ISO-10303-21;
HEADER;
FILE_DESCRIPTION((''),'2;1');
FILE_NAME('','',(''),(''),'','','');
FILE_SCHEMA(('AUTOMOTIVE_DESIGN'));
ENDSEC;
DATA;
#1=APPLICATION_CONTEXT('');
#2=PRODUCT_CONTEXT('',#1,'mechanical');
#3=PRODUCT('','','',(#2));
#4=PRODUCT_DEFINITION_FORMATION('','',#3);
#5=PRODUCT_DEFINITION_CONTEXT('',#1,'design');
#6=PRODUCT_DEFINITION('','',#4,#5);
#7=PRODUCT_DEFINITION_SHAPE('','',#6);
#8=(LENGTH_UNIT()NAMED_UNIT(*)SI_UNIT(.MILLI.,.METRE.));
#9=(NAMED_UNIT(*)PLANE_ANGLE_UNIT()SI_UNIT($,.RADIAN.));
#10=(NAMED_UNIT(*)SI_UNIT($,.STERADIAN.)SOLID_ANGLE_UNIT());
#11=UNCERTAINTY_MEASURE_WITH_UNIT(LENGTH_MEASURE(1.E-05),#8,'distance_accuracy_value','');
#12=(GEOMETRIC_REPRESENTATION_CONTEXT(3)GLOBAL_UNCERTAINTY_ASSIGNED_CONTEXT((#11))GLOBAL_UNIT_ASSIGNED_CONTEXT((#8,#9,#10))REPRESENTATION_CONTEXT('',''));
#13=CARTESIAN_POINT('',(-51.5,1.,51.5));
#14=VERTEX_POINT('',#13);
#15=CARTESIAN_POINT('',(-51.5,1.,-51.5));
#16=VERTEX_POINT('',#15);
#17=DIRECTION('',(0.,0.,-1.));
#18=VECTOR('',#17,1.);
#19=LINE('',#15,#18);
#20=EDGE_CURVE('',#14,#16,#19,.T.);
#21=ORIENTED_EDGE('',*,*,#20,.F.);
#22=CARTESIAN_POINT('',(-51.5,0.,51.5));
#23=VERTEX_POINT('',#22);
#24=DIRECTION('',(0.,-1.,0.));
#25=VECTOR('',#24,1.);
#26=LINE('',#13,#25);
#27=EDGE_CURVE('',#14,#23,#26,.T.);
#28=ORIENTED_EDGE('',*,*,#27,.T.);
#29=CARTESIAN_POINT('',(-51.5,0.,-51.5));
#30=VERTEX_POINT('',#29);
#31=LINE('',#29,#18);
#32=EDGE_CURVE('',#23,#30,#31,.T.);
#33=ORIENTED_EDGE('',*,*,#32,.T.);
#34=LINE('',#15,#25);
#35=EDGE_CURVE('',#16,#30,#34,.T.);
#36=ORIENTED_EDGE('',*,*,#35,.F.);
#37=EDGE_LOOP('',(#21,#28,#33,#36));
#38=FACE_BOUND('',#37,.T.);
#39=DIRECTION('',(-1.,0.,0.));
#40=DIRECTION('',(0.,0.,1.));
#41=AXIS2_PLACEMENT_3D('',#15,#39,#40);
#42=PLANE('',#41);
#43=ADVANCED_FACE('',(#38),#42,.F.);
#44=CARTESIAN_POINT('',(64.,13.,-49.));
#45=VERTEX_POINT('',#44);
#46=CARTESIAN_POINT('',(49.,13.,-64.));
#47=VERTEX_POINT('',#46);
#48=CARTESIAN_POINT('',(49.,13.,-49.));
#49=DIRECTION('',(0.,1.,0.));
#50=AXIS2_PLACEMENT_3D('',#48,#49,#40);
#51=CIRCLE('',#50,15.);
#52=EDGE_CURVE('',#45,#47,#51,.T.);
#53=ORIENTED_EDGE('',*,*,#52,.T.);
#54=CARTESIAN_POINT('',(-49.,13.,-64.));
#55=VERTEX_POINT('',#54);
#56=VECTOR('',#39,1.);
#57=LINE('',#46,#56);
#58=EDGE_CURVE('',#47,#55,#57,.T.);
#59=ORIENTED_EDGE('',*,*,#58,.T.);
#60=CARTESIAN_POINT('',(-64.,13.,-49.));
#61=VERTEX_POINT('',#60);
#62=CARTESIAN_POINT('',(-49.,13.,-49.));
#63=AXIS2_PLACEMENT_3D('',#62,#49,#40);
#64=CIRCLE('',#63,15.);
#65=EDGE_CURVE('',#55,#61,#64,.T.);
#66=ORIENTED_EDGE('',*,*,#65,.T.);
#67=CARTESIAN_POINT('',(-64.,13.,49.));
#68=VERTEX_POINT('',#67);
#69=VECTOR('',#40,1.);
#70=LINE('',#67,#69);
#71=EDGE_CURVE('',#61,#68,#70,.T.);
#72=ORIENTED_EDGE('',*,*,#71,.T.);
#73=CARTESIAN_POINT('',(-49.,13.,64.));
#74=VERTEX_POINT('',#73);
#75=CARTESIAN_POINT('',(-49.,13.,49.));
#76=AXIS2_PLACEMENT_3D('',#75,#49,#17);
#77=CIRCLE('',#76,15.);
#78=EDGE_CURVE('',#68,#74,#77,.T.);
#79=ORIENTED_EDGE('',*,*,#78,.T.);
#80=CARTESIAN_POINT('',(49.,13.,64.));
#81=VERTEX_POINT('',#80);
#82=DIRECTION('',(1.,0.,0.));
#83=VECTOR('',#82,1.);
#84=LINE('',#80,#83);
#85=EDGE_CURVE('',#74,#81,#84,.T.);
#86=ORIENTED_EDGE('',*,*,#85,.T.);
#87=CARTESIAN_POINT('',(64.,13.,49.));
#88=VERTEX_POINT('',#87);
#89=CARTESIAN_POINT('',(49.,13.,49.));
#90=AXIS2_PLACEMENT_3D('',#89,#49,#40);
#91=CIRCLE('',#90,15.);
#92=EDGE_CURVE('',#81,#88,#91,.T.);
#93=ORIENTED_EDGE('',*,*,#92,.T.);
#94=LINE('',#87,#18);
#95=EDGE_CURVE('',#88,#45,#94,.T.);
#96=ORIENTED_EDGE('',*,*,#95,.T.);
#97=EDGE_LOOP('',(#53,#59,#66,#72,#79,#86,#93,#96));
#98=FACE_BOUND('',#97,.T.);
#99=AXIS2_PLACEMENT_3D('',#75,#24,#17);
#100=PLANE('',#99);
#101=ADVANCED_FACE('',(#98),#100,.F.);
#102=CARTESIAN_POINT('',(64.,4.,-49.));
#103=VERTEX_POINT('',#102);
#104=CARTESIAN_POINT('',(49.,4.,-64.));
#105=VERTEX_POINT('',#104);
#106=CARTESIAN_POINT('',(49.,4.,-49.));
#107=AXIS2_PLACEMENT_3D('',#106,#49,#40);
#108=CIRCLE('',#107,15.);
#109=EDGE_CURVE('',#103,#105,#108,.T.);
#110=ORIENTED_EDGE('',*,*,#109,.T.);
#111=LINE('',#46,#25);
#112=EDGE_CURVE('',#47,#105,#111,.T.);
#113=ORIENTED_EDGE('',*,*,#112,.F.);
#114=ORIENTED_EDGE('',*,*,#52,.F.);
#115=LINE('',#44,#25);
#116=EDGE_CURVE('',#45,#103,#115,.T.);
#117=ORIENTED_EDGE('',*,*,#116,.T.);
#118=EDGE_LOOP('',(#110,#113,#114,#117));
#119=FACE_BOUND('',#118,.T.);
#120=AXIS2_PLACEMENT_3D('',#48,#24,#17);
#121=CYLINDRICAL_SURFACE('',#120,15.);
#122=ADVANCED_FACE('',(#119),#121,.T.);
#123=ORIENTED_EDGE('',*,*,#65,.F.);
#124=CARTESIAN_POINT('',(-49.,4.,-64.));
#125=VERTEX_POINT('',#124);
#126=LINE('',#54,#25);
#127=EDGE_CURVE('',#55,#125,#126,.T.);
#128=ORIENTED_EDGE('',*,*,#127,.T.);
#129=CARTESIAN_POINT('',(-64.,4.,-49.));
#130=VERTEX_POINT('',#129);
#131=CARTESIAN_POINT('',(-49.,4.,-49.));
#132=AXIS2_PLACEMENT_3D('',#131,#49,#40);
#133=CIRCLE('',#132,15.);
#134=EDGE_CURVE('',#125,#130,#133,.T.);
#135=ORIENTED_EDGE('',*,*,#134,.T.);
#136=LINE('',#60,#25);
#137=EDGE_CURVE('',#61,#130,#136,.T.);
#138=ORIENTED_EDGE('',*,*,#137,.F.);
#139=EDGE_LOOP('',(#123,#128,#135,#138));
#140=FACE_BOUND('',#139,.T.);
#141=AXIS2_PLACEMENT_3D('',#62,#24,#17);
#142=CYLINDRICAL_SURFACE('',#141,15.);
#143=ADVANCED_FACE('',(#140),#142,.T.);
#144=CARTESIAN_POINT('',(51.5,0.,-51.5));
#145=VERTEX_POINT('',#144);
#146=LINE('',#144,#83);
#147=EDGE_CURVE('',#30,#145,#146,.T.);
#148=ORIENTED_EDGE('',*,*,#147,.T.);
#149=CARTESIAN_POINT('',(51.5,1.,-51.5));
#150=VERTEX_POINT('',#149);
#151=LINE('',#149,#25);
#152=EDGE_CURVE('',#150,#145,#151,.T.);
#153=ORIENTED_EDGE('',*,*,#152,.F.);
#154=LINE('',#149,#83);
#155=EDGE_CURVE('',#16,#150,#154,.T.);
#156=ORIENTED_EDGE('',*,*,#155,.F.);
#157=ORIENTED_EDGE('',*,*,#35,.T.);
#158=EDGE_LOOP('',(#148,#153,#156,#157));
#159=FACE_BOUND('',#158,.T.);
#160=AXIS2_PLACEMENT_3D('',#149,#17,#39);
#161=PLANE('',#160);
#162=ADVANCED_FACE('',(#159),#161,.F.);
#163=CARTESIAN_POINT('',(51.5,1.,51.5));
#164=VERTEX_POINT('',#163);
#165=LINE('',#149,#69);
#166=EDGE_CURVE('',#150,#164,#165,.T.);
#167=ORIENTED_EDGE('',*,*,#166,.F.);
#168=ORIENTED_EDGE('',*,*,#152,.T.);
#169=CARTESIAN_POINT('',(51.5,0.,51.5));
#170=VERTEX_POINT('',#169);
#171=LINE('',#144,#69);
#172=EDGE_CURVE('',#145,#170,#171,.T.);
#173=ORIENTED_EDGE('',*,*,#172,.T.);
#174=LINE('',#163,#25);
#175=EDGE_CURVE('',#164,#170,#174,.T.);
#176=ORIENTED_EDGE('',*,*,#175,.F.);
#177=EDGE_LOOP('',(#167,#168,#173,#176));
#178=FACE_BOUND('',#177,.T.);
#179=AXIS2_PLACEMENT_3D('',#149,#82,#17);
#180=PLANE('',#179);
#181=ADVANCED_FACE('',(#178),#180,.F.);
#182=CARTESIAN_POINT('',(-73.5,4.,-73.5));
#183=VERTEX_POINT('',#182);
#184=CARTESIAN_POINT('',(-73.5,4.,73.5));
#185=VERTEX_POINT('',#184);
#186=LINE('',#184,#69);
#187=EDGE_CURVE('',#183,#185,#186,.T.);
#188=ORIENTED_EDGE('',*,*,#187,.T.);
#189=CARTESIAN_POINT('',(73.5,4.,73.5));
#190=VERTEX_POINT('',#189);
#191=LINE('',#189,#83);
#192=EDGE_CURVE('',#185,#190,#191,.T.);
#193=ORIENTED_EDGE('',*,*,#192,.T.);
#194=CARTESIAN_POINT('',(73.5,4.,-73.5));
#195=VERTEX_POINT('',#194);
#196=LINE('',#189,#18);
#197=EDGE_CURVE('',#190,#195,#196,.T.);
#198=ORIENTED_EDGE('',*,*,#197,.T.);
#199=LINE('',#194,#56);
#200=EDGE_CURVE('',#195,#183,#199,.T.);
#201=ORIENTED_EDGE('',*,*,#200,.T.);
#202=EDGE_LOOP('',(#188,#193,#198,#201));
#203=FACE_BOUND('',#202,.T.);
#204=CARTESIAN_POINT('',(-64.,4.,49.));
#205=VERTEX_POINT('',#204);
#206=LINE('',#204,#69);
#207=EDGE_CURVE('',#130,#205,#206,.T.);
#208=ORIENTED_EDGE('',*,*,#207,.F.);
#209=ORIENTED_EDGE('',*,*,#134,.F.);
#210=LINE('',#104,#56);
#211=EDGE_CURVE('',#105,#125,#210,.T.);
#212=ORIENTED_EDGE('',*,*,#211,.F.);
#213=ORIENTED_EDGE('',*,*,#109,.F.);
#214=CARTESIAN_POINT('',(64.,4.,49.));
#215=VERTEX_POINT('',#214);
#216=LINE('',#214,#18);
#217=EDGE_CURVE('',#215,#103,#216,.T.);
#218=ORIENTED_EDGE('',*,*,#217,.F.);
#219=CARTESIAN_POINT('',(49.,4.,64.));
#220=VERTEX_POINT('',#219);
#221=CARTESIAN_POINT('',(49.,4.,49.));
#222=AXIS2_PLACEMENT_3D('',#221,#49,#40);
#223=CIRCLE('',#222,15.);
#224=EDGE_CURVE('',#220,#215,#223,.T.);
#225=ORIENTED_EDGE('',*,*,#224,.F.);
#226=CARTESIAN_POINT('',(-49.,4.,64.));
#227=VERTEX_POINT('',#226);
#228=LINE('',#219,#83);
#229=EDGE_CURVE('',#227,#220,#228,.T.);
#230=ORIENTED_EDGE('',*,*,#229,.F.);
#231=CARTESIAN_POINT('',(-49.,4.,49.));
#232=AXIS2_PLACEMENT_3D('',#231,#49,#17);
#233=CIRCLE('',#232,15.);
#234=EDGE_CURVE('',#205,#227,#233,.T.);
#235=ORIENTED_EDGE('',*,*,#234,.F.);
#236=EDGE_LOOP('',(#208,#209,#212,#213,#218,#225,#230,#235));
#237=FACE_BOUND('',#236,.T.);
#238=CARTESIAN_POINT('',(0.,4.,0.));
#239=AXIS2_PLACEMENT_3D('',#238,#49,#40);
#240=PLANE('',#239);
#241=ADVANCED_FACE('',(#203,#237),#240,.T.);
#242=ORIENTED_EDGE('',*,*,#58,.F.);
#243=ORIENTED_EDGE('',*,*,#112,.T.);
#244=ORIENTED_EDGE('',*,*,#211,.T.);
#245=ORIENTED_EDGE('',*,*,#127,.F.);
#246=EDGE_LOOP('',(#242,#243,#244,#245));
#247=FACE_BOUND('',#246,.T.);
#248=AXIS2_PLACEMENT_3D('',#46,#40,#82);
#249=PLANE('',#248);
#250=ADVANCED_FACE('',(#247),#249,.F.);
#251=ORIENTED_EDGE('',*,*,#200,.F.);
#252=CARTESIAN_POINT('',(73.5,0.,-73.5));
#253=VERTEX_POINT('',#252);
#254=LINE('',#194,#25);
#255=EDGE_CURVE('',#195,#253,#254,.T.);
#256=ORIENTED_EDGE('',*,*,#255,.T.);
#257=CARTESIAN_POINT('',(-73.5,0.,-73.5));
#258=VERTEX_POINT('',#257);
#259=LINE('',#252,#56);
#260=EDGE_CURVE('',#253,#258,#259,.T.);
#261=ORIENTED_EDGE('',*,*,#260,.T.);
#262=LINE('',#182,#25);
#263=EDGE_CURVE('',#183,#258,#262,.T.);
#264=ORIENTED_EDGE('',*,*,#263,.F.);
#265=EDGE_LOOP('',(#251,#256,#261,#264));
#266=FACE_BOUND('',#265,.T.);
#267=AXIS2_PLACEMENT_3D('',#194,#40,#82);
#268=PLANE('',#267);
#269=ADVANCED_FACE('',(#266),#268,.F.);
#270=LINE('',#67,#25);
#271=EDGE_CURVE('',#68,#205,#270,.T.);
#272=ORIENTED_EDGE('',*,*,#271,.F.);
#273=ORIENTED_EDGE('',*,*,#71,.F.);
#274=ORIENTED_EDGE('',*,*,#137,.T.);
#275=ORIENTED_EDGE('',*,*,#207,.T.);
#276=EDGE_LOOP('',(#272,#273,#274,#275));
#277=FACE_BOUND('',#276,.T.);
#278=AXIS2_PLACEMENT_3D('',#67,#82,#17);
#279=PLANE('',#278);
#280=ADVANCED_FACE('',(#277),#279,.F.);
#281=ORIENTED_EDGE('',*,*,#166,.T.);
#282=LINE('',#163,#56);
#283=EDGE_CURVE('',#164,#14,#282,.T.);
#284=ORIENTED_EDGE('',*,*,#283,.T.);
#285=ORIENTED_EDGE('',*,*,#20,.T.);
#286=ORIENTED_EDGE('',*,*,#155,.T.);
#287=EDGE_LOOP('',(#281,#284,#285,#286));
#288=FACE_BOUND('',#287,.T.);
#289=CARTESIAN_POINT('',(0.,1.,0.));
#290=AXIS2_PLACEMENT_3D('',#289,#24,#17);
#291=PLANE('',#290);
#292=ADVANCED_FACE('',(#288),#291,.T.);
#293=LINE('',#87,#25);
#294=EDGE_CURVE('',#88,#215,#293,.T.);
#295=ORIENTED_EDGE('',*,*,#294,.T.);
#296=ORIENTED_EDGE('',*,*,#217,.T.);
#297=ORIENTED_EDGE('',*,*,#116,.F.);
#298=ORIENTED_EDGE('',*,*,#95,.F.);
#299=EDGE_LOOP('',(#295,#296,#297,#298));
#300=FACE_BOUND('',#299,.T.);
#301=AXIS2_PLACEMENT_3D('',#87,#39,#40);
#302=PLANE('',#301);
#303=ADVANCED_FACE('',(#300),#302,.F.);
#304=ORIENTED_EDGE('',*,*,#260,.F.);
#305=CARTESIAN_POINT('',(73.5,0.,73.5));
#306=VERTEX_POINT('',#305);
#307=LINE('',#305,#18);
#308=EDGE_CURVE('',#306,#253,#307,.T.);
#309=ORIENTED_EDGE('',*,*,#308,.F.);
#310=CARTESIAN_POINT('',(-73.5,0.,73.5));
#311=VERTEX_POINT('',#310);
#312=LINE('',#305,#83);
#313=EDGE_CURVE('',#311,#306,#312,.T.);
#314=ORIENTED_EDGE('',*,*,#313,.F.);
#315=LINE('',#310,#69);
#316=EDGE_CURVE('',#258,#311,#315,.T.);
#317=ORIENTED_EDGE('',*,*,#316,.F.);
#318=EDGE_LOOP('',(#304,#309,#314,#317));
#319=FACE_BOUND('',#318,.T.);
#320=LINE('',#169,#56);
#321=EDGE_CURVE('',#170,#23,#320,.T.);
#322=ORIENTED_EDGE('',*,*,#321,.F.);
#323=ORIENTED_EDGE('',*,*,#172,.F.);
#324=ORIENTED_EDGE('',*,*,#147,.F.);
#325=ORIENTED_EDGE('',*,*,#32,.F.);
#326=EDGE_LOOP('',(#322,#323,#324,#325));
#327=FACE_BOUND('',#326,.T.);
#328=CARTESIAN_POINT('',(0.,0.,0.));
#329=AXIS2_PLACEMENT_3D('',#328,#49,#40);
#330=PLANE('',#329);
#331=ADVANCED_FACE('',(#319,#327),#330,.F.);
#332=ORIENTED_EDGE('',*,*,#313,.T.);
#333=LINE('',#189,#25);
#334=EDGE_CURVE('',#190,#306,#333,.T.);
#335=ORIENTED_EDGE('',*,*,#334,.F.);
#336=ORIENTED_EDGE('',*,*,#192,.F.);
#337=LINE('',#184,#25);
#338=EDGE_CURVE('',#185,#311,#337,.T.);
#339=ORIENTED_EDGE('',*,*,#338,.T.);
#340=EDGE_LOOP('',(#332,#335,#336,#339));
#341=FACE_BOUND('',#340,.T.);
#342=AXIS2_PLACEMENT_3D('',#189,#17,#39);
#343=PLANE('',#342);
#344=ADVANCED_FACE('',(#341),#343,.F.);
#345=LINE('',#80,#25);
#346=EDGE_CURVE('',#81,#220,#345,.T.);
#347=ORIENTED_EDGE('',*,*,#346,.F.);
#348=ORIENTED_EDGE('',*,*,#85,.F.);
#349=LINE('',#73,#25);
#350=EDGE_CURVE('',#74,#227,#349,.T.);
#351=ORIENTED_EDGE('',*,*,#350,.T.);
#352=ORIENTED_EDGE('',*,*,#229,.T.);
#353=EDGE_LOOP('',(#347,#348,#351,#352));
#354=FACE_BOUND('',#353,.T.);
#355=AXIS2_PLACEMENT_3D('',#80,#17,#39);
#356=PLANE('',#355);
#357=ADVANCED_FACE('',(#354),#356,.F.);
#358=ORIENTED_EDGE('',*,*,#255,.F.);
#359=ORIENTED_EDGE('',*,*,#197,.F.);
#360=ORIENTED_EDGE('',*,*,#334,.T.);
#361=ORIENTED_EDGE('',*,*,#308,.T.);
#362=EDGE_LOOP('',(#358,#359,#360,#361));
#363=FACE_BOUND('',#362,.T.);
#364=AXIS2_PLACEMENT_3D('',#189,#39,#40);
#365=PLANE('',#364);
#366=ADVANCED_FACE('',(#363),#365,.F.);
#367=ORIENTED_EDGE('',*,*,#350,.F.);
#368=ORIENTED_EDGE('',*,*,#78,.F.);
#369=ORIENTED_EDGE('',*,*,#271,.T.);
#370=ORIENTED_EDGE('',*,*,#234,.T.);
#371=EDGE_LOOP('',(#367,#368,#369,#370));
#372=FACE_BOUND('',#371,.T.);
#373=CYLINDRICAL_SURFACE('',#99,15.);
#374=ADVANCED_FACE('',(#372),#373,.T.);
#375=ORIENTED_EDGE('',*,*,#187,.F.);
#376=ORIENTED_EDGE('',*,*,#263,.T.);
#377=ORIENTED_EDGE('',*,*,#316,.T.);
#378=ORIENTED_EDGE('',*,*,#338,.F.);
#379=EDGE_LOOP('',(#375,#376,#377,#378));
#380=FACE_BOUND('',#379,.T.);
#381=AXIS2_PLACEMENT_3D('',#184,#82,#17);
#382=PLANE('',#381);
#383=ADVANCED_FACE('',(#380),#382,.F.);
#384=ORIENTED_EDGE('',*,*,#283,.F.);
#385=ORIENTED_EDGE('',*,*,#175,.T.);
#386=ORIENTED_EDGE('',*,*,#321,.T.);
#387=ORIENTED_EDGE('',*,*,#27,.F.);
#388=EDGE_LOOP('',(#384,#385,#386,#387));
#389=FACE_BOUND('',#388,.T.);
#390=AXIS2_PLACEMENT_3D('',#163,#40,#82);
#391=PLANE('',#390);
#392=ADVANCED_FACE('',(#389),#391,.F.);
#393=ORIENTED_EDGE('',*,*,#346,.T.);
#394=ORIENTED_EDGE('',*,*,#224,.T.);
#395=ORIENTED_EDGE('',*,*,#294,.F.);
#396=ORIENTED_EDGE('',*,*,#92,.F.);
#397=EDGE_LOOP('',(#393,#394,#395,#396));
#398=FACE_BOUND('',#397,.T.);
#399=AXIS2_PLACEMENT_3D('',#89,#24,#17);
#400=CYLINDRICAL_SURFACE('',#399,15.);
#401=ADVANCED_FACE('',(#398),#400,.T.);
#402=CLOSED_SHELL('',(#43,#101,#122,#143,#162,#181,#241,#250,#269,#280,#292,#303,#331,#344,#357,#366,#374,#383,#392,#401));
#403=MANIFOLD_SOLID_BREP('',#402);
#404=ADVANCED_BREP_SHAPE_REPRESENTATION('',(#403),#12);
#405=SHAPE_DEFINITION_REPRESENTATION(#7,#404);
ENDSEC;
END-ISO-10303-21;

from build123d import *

# Parameters (mm, degrees)
SKETCH_1_W          = 147
SKETCH_1_H          = 147
EXTRUDE_1_DEPTH     = 4
EXTRUDE_2_DEPTH     = 9
SKETCH_3_W          = 103
SKETCH_3_H          = 103
CUT_EXTRUDE_1_DEPTH = 1


with BuildPart() as part:
    # 草图1 → 凸台-拉伸1 (new body)
    with BuildSketch(Plane(origin=(0, 0, 0), x_dir=(1, 0, 0), z_dir=(0, 1, 0))):
        Rectangle(SKETCH_1_W, SKETCH_1_H)
    extrude(amount=EXTRUDE_1_DEPTH)

    # 草图2 → 凸台-拉伸2 (add)
    with BuildSketch(Plane(origin=(0, 4, 0), x_dir=(1, 0, 0), z_dir=(0, 1, 0))):
        with BuildLine():
            Line((49, -64), (-49, -64))
            ThreePointArc((-49, -64), (-59.606601718, -59.606601718), (-64, -49))
            Line((-64, -49), (-64, 49))
            ThreePointArc((-64, 49), (-59.606601718, 59.606601718), (-49, 64))
            Line((-49, 64), (49, 64))
            ThreePointArc((49, 64), (59.606601718, 59.606601718), (64, 49))
            Line((64, 49), (64, -49))
            ThreePointArc((64, -49), (59.606601718, -59.606601718), (49, -64))
        make_face()
    extrude(amount=EXTRUDE_2_DEPTH)

    # 草图3 → 切除-拉伸1 (cut)
    with BuildSketch(Plane.XZ):
        Rectangle(SKETCH_3_W, SKETCH_3_H)
    extrude(amount=-CUT_EXTRUDE_1_DEPTH, mode=Mode.SUBTRACT)


solid = part.part
